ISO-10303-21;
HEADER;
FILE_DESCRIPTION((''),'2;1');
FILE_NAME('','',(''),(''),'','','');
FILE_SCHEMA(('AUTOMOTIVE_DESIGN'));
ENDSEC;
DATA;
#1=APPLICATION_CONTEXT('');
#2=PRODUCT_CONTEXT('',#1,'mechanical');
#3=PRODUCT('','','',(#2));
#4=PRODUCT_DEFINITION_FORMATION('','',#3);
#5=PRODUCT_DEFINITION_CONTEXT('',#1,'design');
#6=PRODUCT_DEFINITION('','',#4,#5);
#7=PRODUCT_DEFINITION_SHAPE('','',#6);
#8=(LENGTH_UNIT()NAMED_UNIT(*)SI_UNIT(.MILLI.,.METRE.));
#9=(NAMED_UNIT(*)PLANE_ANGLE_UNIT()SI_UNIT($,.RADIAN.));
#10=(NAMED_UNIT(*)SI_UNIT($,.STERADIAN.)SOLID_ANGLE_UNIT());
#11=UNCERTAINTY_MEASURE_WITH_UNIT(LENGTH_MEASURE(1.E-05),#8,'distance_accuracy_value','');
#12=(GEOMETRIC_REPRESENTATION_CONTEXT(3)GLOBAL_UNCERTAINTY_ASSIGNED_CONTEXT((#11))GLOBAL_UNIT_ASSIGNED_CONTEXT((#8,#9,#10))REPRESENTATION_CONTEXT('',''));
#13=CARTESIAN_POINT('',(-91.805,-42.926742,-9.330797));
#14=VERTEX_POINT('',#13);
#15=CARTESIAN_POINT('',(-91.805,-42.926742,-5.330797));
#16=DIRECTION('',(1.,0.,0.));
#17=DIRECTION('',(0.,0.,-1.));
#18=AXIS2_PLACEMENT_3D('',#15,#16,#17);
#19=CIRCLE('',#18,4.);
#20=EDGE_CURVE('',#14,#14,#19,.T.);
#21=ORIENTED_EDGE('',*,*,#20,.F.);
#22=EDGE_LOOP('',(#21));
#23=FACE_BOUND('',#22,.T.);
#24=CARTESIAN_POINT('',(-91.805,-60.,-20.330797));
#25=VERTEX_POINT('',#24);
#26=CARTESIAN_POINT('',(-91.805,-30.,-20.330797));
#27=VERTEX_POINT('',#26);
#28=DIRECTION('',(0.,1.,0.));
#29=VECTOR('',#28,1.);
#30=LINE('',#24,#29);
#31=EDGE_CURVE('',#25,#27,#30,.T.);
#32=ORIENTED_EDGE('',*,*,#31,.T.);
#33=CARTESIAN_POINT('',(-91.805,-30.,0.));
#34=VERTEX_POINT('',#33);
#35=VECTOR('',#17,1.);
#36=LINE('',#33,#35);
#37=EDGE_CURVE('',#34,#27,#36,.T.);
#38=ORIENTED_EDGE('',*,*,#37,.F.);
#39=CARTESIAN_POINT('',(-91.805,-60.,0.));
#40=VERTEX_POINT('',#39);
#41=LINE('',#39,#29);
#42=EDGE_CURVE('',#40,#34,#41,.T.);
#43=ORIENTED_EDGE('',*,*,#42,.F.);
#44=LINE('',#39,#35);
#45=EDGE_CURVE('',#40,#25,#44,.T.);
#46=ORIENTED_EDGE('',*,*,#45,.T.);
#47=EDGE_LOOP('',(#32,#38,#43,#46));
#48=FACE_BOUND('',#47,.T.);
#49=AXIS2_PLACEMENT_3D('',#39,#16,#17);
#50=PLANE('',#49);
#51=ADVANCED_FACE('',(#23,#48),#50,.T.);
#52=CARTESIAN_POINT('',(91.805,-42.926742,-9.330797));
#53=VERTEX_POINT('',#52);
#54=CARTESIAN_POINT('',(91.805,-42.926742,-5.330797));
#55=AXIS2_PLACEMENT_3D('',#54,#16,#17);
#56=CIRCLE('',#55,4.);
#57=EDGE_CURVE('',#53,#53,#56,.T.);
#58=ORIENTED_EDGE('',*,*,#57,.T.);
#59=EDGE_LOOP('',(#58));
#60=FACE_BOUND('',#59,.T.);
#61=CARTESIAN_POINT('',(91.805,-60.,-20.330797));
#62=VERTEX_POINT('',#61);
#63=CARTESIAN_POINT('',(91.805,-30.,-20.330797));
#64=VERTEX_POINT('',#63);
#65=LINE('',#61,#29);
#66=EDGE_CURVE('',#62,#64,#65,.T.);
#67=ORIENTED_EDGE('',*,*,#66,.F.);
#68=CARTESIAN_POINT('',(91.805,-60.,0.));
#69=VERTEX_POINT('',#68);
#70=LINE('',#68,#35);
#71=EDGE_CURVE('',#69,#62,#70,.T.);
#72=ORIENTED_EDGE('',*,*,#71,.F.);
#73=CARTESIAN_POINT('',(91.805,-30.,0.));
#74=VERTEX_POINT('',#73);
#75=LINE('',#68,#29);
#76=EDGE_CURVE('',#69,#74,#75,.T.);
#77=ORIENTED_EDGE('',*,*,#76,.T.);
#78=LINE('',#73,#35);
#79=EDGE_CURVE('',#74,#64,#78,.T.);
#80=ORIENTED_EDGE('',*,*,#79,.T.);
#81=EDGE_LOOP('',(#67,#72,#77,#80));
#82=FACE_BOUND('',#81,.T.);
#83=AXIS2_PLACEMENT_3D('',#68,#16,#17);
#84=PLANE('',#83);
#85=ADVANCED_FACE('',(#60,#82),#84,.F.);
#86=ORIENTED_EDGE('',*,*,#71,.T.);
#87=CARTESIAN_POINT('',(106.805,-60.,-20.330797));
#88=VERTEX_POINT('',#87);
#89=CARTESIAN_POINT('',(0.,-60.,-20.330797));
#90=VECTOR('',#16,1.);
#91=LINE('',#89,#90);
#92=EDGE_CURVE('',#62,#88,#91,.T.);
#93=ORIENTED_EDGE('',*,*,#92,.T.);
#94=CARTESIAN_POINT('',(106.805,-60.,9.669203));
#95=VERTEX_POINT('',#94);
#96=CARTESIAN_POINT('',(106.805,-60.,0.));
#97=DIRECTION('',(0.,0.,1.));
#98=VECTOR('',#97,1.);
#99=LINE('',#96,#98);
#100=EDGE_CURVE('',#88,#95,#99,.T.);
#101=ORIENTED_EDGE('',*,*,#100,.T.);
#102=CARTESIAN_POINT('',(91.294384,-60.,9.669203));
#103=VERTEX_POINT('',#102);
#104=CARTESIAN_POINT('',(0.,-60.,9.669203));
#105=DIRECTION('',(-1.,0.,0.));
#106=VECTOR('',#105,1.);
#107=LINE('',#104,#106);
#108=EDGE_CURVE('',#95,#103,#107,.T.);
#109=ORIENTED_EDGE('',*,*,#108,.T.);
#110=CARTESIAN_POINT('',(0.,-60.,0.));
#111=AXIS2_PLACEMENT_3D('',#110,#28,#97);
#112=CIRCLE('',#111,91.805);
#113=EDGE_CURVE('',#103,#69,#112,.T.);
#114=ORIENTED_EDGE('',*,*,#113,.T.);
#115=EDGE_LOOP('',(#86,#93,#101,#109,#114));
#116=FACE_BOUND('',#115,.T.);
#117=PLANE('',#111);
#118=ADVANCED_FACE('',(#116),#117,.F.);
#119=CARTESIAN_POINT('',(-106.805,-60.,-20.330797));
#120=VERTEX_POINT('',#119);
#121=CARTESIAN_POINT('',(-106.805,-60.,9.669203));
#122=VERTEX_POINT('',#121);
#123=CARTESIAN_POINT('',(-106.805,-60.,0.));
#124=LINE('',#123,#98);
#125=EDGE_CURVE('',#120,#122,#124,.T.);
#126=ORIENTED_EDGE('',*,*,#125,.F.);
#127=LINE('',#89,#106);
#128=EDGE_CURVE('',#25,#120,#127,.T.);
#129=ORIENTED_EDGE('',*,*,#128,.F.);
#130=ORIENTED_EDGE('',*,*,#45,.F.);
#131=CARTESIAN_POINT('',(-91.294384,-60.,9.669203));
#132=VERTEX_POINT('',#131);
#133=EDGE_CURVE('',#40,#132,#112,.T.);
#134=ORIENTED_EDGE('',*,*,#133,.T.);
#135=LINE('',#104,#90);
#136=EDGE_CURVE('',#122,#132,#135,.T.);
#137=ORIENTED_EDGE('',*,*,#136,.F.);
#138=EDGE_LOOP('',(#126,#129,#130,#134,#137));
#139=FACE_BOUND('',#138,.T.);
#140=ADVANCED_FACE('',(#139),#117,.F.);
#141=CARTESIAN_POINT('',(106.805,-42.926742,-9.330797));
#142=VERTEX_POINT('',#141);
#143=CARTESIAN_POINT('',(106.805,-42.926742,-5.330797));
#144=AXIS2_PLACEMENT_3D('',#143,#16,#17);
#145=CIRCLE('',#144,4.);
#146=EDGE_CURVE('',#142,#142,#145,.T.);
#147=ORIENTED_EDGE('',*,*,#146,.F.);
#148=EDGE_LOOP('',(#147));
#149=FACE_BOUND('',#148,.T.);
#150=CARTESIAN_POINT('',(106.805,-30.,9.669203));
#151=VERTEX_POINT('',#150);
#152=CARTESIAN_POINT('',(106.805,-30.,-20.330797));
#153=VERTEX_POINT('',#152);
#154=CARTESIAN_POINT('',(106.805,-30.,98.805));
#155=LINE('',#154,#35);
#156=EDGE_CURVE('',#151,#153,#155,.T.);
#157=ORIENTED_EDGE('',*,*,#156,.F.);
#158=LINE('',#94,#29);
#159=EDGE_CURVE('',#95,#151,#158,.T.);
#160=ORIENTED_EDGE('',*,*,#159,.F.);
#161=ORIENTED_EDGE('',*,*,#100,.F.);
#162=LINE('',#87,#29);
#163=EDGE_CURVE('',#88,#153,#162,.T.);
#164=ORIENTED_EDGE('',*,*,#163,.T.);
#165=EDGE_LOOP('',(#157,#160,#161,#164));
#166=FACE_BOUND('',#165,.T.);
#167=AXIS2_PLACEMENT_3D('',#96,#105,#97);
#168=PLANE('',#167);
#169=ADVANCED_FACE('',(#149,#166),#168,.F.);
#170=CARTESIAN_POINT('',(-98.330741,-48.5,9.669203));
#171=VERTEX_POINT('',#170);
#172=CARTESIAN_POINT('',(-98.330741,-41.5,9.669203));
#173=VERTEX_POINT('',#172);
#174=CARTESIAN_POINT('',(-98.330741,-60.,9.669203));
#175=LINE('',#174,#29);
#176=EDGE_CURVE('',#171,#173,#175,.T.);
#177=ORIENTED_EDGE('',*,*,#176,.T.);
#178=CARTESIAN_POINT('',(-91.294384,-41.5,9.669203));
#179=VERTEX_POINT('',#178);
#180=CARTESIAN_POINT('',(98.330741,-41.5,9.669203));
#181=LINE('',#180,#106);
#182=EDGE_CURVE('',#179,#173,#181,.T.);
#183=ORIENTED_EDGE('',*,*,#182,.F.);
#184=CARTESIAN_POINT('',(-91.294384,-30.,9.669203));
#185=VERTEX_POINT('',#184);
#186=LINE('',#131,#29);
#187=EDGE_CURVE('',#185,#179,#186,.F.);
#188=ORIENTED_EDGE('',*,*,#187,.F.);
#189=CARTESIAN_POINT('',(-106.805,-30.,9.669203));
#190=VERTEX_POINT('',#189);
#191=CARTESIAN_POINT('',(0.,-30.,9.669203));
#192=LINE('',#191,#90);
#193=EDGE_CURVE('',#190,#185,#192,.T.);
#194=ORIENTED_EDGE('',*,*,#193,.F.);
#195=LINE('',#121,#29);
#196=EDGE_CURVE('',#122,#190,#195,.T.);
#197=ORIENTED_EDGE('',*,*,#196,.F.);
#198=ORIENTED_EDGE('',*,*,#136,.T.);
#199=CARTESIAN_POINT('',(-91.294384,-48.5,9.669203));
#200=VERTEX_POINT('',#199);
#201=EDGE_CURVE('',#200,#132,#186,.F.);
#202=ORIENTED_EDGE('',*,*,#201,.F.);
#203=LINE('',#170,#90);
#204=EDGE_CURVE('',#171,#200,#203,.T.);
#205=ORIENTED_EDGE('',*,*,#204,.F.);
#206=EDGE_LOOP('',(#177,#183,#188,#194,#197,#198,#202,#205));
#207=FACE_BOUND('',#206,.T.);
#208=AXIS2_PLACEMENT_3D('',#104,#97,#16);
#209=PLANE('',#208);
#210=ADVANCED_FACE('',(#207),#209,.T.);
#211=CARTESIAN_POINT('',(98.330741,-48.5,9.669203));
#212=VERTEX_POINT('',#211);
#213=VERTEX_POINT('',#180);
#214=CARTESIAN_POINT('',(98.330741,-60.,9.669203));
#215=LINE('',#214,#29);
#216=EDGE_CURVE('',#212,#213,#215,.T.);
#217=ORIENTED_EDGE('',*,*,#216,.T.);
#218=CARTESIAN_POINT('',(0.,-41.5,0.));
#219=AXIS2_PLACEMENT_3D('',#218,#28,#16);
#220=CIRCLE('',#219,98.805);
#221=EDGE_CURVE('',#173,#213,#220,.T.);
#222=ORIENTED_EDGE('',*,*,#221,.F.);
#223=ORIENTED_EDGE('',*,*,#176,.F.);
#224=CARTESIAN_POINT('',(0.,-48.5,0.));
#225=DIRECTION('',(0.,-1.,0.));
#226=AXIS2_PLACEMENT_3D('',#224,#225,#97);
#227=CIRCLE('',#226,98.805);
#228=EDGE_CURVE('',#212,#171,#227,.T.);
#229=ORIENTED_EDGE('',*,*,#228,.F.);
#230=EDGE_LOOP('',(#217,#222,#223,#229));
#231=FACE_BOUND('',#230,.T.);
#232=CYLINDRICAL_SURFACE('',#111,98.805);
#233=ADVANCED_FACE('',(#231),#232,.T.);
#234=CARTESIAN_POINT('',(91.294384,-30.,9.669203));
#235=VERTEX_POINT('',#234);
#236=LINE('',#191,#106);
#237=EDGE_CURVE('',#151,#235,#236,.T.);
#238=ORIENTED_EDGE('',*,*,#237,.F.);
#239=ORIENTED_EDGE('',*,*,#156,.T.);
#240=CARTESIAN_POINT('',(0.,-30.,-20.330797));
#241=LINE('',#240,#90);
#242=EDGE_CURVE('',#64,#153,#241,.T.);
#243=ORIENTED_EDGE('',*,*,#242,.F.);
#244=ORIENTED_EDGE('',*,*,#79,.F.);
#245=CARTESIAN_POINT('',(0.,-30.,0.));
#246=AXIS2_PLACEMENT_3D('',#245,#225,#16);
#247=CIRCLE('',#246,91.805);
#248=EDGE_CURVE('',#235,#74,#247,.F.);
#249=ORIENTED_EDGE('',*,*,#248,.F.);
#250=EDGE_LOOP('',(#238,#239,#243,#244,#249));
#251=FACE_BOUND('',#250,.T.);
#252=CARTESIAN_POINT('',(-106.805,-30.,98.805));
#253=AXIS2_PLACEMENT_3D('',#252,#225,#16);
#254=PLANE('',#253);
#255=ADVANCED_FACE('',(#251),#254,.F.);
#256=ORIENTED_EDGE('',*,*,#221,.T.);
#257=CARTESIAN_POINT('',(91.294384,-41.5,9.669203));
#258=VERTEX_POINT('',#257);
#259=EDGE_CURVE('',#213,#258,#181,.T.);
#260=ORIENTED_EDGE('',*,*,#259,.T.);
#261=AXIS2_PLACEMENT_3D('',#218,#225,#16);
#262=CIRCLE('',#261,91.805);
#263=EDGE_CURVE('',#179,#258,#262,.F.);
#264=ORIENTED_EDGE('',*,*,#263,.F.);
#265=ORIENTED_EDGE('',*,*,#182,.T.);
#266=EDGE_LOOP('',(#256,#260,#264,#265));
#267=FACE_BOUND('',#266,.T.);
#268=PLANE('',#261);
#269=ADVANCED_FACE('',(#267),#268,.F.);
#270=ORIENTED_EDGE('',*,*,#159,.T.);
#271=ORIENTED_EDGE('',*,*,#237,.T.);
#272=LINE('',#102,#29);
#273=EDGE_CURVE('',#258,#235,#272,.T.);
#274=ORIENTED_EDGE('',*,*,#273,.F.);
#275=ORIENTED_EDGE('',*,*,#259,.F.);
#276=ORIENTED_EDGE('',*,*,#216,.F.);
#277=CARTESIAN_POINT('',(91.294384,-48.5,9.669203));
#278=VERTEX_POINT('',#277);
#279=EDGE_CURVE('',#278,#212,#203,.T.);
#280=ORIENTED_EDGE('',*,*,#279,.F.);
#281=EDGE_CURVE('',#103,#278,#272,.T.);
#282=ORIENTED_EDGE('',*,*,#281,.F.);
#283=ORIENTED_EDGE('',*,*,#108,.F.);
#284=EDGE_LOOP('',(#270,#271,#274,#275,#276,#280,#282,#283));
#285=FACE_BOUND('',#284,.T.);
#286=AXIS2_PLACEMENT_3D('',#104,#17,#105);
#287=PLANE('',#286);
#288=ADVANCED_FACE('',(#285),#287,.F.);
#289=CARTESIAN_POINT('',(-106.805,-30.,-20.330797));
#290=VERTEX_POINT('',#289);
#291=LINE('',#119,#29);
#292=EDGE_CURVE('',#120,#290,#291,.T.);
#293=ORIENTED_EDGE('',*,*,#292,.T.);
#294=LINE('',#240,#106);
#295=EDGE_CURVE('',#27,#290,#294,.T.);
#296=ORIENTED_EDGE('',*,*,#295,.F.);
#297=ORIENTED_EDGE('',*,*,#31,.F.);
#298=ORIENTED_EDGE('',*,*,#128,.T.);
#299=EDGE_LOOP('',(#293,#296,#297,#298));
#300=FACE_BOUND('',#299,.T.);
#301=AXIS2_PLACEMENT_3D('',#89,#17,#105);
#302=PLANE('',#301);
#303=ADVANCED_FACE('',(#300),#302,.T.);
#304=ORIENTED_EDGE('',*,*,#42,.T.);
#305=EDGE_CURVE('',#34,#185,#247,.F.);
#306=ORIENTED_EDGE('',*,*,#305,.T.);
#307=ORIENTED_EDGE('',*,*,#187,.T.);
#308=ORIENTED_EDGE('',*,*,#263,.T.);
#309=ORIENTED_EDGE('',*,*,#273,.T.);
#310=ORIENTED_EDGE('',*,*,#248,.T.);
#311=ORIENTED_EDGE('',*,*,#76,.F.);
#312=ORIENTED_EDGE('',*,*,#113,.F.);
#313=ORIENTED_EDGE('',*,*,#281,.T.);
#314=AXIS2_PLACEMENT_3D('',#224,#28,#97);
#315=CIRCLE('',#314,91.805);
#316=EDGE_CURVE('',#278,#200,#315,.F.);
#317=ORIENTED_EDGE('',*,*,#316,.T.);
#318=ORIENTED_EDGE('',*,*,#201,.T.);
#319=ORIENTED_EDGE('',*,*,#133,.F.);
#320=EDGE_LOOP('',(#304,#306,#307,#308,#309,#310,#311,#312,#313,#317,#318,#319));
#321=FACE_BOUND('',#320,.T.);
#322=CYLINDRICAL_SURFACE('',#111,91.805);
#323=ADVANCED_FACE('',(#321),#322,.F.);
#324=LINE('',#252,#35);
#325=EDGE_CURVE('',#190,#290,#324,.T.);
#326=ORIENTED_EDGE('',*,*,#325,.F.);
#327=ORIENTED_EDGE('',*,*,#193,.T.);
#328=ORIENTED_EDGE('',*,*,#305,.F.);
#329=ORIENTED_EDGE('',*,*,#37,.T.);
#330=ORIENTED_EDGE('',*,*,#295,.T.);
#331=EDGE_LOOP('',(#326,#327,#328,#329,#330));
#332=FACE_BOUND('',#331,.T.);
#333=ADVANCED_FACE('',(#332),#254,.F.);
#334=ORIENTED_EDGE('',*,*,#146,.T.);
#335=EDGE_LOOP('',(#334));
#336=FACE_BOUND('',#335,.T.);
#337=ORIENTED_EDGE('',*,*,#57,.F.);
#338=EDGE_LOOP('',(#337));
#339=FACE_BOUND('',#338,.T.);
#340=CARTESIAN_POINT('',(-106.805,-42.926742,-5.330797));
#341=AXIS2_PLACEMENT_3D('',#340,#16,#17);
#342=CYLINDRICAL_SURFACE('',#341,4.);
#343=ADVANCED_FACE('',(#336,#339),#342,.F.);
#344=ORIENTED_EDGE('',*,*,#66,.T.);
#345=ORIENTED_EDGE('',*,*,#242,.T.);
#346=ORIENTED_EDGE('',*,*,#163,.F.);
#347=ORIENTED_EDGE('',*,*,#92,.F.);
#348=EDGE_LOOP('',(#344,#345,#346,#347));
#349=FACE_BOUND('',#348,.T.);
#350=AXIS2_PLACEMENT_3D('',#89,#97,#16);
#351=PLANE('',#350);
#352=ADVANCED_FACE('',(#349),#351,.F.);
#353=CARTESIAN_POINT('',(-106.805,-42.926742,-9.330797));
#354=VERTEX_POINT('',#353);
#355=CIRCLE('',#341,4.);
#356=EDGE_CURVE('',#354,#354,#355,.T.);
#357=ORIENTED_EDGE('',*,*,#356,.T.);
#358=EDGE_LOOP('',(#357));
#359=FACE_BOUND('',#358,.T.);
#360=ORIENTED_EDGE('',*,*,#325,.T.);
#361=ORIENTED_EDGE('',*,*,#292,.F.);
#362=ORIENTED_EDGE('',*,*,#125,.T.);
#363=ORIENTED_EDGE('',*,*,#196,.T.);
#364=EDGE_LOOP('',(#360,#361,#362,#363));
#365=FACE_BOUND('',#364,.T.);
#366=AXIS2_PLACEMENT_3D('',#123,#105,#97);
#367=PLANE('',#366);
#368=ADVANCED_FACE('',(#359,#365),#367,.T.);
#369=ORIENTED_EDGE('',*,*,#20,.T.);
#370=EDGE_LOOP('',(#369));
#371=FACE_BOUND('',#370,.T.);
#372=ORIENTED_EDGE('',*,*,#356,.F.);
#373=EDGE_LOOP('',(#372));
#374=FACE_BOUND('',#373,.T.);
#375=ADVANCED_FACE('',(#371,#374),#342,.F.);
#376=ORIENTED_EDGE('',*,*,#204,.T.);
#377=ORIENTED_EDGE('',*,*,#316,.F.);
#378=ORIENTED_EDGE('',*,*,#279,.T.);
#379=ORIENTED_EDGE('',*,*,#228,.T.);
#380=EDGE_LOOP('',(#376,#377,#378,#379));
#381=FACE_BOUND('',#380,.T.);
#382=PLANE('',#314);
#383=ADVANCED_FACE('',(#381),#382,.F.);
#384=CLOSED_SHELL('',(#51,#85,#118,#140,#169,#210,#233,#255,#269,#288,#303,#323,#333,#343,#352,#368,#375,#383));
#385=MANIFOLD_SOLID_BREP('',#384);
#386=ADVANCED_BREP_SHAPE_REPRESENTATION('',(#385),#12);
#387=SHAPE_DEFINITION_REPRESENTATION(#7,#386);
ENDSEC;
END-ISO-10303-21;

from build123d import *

# Parameters (mm, degrees)
BOSS_EXTRUDE1_DEPTH      = 60
CUT_EXTRUDE19_DEPTH      = 171.881965709
CUT_EXTRUDE19_DEPTH_BACK = 171.881965709
SKETCH30_W               = 213.61
SKETCH30_H               = 30
SKETCH31_R               = 4
CUT_EXTRUDE20_DEPTH      = 243.881988062
CUT_EXTRUDE21_DEPTH      = 11.5
CUT_EXTRUDE22_START      = -11.5
CUT_EXTRUDE22_DEPTH      = 11.5


with BuildPart() as part:
    # Sketch1 → Boss-Extrude1 (new body)
    with BuildSketch(Plane(origin=(0, 0, 0), x_dir=(1, 0, 0), z_dir=(0, 1, 0))):
        with BuildLine():
            Line((106.805, -9.669202779), (98.330740578, -9.669202779))
            ThreePointArc((98.330740578, -9.669202779), (0, -98.805), (-98.330740578, -9.669202779))
            Line((-98.330740578, -9.669202779), (-106.805, -9.669202779))
            Line((-106.805, -9.669202779), (-106.805, 20.330797221))
            Line((-106.805, 20.330797221), (-91.805, 20.330797221))
            Line((-91.805, 20.330797221), (-91.805, 0))
            ThreePointArc((-91.805, 0), (0, -91.805), (91.805, 0))
            Line((91.805, 0), (91.805, 20.330797221))
            Line((91.805, 20.330797221), (106.805, 20.330797221))
            Line((106.805, 20.330797221), (106.805, -9.669202779))
        make_face()
    extrude(amount=-BOSS_EXTRUDE1_DEPTH)

    # Sketch30 → Cut-Extrude19 (cut, two sides: drawn at the far end of the back side and taken through both)
    with BuildSketch(Plane(origin=(0, 0, -20.330797221), x_dir=(-1, 0, 0), z_dir=(0, 0, -1)).offset(-CUT_EXTRUDE19_DEPTH_BACK)):
        with Locations((0, -15)):
            Rectangle(SKETCH30_W, SKETCH30_H)
    extrude(amount=CUT_EXTRUDE19_DEPTH + CUT_EXTRUDE19_DEPTH_BACK, mode=Mode.SUBTRACT)

    # Sketch31 → Cut-Extrude20 (cut, through all)
    with BuildSketch(Plane(origin=(106.805, 0, 0), x_dir=(0, 0, -1), z_dir=(1, 0, 0))):
        with Locations((5.330797221, -42.92674227)):
            Circle(SKETCH31_R)
    extrude(amount=-CUT_EXTRUDE20_DEPTH, mode=Mode.SUBTRACT)

    # Sketch32 → Cut-Extrude21 (cut)
    with BuildSketch(Plane(origin=(0, -30, 0), x_dir=(1, 0, 0), z_dir=(0, 1, 0))):
        with BuildLine():
            Line((98.330740578, -9.669202779), (-98.330740578, -9.669202779))
            ThreePointArc((-98.330740578, -9.669202779), (0, -98.805), (98.330740578, -9.669202779))
        make_face()
    extrude(amount=-CUT_EXTRUDE21_DEPTH, mode=Mode.SUBTRACT)

    # Sketch33 → Cut-Extrude22 (cut)
    with BuildSketch(Plane(origin=(0, -60, 0), x_dir=(-1, 0, 0), z_dir=(0, -1, 0)).offset(CUT_EXTRUDE22_START)):
        with BuildLine():
            Line((98.330740578, -9.669202779), (-98.330740578, -9.669202779))
            ThreePointArc((-98.330740578, -9.669202779), (0, -98.805), (98.330740578, -9.669202779))
        make_face()
    extrude(amount=CUT_EXTRUDE22_DEPTH, mode=Mode.SUBTRACT)


solid = part.part
